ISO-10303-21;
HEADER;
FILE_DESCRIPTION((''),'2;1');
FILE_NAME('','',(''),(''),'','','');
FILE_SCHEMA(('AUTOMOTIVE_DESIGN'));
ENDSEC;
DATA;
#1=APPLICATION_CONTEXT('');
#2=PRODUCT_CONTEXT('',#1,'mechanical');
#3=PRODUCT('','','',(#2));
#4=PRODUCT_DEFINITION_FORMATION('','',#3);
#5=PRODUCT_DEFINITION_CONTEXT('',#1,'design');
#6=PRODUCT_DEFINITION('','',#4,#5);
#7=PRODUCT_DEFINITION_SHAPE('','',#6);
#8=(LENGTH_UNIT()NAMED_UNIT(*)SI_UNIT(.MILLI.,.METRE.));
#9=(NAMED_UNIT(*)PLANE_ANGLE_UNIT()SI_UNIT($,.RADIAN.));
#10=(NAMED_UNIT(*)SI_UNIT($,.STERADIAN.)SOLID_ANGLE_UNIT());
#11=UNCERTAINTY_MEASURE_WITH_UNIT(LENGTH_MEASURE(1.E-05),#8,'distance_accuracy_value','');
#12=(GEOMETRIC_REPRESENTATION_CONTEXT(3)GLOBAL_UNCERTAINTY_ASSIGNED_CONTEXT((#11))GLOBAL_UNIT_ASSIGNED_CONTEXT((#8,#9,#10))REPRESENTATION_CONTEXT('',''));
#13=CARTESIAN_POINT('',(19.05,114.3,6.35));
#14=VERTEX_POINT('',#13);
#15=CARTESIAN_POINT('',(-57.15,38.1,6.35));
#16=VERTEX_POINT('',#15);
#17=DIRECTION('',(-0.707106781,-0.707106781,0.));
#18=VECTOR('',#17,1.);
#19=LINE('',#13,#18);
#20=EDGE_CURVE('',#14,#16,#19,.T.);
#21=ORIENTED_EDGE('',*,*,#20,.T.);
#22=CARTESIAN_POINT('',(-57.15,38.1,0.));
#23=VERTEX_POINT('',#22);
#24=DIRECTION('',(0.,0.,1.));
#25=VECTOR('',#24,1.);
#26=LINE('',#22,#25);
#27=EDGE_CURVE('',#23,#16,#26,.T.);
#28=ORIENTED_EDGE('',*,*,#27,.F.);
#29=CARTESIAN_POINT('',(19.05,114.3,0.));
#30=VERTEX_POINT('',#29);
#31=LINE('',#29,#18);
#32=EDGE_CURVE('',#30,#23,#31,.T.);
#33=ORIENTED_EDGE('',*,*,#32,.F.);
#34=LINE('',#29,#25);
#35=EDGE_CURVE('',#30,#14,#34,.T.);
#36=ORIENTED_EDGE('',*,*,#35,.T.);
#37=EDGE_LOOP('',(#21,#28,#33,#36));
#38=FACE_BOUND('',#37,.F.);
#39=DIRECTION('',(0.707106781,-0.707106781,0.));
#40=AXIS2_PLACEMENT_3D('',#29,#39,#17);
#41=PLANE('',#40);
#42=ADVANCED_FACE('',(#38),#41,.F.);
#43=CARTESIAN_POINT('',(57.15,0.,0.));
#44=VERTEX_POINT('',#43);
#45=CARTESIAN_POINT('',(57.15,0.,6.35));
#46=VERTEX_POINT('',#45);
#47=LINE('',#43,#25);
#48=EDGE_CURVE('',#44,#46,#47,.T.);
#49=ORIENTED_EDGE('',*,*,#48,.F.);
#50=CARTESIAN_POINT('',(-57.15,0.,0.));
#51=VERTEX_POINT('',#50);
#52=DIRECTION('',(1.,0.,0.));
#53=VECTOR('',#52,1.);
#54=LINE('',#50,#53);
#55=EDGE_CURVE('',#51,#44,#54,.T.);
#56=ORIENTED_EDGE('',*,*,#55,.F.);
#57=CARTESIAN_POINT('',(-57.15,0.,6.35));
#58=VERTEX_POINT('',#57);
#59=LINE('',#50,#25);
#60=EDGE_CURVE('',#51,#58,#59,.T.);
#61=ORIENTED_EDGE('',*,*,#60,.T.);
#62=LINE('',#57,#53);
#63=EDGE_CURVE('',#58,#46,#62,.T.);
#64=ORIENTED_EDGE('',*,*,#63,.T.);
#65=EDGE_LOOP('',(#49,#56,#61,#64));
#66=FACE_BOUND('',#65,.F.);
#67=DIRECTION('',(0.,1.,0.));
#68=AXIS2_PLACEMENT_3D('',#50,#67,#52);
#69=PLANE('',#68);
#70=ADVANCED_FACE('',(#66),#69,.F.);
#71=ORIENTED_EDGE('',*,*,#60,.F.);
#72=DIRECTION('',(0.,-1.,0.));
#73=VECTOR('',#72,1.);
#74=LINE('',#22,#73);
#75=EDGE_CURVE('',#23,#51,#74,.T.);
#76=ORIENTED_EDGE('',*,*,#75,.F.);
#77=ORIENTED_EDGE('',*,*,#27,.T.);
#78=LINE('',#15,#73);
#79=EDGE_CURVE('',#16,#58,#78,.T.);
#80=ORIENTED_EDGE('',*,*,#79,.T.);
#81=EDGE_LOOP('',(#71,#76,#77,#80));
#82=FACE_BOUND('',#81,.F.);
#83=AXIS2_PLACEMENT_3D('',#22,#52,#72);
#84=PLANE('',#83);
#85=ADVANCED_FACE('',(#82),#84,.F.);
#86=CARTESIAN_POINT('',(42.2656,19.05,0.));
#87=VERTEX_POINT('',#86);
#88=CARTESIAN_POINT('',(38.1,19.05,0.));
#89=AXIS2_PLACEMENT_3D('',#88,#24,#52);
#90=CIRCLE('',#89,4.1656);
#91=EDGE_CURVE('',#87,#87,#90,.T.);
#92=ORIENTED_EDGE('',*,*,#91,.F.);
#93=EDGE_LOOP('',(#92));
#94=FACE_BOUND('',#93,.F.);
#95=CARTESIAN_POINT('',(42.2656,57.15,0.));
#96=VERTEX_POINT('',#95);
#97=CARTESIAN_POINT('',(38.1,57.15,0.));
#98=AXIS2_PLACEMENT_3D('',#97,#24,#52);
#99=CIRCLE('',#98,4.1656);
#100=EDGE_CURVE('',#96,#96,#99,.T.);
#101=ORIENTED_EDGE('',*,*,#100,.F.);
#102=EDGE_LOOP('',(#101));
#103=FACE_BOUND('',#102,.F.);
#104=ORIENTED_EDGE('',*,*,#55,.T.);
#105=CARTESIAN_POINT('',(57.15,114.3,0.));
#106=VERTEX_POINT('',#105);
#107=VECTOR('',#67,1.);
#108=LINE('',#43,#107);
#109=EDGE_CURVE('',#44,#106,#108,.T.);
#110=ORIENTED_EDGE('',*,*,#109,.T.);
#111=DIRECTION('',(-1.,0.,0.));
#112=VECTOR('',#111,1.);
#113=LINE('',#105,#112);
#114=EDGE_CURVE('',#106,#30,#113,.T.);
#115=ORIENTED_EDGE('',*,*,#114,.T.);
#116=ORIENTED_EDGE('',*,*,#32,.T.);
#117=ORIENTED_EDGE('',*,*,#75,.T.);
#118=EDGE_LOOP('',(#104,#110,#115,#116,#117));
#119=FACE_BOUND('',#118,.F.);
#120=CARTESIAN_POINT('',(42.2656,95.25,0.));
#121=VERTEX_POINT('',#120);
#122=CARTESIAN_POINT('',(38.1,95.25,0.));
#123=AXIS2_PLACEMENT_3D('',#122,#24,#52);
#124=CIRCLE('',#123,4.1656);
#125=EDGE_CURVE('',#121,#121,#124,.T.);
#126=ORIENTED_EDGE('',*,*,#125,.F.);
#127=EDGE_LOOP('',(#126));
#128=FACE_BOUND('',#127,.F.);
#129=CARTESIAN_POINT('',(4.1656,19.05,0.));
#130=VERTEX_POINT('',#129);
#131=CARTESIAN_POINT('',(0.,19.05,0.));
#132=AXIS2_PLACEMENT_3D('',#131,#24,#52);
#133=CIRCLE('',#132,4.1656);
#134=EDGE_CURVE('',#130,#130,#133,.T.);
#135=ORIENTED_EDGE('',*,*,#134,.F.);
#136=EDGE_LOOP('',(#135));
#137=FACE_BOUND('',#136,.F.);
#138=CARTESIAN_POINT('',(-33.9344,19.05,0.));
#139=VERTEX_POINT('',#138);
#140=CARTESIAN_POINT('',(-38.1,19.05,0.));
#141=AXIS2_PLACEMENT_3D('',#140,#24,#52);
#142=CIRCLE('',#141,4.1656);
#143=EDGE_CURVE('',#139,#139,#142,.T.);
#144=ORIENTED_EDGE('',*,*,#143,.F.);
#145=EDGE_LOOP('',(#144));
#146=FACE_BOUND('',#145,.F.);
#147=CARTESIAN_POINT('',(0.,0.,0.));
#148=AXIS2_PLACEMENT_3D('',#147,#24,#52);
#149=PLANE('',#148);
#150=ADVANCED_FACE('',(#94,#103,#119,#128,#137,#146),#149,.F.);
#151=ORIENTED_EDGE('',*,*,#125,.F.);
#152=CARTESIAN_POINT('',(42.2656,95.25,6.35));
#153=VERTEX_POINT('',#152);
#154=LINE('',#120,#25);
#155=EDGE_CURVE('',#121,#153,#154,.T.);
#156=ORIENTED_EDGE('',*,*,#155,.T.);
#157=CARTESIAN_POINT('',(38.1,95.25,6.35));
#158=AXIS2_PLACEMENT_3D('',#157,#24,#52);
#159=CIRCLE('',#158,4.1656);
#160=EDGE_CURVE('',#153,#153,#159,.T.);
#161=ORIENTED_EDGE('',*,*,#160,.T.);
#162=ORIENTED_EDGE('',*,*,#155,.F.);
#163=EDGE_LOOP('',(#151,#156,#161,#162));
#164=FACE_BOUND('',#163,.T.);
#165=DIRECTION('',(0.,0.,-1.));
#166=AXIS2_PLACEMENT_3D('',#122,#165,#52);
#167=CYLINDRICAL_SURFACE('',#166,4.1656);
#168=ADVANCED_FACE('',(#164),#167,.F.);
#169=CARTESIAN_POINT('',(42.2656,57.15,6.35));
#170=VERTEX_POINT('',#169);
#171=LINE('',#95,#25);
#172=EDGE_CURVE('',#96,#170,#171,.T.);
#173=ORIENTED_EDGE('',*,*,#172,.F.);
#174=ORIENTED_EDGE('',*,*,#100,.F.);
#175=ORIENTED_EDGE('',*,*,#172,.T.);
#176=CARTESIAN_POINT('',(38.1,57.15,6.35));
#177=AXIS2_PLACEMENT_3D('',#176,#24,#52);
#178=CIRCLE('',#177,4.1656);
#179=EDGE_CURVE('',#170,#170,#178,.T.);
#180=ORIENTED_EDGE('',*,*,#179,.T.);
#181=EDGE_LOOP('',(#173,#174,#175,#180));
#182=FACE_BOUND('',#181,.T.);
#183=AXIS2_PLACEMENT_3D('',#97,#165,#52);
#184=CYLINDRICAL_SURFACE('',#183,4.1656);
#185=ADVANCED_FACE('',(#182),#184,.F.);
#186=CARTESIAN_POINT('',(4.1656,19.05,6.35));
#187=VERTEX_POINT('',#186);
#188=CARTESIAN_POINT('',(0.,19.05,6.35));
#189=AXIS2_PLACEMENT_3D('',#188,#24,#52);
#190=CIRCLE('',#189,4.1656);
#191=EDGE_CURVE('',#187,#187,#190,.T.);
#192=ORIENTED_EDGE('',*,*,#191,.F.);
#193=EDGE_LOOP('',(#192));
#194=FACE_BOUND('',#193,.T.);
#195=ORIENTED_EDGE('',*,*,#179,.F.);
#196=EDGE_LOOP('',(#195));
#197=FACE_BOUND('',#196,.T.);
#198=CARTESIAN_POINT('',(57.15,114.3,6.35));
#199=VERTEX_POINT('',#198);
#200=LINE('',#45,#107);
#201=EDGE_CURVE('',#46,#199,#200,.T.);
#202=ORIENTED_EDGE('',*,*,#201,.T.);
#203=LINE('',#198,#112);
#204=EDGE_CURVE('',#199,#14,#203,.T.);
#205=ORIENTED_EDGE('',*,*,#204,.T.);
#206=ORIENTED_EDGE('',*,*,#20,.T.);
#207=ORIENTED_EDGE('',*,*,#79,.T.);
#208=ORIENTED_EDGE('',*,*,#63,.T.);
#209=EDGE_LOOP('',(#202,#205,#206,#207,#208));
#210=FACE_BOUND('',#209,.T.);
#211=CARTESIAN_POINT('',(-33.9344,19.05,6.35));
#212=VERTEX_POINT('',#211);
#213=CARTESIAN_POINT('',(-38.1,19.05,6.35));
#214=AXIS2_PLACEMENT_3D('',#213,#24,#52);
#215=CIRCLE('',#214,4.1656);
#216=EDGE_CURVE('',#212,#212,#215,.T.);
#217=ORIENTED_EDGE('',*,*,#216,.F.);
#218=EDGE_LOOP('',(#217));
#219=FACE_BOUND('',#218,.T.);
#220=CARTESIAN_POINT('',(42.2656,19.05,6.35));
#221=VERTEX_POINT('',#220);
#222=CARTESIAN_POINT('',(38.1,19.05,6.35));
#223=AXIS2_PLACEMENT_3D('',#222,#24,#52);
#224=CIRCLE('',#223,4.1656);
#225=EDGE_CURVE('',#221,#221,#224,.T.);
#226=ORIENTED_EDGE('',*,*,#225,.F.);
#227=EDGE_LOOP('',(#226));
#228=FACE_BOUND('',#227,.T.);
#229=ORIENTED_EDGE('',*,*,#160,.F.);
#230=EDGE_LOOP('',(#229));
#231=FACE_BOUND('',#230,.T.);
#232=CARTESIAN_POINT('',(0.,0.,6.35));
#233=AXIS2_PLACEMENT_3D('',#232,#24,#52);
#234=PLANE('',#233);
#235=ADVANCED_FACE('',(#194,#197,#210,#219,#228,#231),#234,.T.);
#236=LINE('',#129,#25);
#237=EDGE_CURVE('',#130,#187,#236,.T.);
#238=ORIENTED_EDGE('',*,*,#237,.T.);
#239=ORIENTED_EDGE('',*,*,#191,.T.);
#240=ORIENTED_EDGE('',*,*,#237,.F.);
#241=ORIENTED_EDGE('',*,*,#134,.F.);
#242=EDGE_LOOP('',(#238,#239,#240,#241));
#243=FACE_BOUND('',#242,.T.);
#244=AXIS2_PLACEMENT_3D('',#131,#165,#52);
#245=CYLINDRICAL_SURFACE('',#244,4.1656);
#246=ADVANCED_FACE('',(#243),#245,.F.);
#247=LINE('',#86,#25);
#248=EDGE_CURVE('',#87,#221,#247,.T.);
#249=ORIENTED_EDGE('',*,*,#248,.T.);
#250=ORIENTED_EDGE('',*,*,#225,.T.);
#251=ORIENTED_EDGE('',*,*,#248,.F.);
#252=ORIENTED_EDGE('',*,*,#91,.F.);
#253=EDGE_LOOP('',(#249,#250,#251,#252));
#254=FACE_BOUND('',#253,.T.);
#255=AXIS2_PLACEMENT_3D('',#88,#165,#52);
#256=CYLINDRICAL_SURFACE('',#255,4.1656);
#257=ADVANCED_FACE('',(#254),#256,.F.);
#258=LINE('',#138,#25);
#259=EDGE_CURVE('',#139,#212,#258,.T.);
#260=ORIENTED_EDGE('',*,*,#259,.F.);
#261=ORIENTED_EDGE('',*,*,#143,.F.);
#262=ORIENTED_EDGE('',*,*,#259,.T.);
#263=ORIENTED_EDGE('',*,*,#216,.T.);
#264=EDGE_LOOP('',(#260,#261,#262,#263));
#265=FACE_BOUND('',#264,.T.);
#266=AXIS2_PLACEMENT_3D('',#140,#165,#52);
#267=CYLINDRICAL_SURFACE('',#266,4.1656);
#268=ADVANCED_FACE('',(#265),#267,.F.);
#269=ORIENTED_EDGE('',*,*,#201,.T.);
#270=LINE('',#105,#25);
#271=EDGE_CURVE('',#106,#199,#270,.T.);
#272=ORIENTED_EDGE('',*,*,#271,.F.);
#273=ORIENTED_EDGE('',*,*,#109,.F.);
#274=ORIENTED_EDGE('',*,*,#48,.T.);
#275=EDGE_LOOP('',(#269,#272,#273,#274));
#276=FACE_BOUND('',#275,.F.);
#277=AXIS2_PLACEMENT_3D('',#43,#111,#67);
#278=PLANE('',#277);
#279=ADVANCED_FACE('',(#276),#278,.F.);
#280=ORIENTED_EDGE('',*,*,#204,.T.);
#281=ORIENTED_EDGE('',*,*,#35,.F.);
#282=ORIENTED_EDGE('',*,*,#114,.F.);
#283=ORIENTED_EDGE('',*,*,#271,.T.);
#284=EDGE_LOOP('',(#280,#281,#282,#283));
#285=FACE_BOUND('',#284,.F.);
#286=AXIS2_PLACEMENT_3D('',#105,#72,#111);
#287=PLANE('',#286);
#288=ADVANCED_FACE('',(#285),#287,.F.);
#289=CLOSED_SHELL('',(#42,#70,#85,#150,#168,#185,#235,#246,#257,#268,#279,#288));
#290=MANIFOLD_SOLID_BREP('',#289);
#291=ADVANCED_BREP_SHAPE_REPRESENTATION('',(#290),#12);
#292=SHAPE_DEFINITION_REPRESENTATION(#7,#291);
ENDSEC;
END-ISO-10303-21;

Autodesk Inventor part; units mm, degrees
ref_plane "YZ Plane" through (0, 0, 0) normal (1, 0, 0) x (0, 1, 0)
ref_plane "XZ Plane" through (0, 0, 0) normal (0, 1, 0) x (-1, 0, 0)
ref_plane "XY Plane" through (0, 0, 0) normal (0, 0, 1) x (1, 0, 0)
sketch "Sketch_1" plane through (0, 0, 0) normal (0, 0, 1) x (1, 0, 0)
  line L0 (-57.15, 38.1) -> (-57.15, 0)
  line L1 (-57.15, 0) -> (57.15, 0)
  line L2 (57.15, 0) -> (57.15, 114.3)
  line L3 (57.15, 114.3) -> (19.05, 114.3)
  line L4 (19.05, 114.3) -> (-57.15, 38.1)
  circle A0 centre (38.1, 19.05) radius 4.1656
  circle A1 centre (38.1, 57.15) radius 4.1656
  circle A2 centre (38.1, 95.25) radius 4.1656
  circle A3 centre (0, 19.05) radius 4.1656
  circle A4 centre (-38.1, 19.05) radius 4.1656
extrude "Extrusion1" add sketch "Sketch_1" along normal blind 6.35
properties part number "4351"
